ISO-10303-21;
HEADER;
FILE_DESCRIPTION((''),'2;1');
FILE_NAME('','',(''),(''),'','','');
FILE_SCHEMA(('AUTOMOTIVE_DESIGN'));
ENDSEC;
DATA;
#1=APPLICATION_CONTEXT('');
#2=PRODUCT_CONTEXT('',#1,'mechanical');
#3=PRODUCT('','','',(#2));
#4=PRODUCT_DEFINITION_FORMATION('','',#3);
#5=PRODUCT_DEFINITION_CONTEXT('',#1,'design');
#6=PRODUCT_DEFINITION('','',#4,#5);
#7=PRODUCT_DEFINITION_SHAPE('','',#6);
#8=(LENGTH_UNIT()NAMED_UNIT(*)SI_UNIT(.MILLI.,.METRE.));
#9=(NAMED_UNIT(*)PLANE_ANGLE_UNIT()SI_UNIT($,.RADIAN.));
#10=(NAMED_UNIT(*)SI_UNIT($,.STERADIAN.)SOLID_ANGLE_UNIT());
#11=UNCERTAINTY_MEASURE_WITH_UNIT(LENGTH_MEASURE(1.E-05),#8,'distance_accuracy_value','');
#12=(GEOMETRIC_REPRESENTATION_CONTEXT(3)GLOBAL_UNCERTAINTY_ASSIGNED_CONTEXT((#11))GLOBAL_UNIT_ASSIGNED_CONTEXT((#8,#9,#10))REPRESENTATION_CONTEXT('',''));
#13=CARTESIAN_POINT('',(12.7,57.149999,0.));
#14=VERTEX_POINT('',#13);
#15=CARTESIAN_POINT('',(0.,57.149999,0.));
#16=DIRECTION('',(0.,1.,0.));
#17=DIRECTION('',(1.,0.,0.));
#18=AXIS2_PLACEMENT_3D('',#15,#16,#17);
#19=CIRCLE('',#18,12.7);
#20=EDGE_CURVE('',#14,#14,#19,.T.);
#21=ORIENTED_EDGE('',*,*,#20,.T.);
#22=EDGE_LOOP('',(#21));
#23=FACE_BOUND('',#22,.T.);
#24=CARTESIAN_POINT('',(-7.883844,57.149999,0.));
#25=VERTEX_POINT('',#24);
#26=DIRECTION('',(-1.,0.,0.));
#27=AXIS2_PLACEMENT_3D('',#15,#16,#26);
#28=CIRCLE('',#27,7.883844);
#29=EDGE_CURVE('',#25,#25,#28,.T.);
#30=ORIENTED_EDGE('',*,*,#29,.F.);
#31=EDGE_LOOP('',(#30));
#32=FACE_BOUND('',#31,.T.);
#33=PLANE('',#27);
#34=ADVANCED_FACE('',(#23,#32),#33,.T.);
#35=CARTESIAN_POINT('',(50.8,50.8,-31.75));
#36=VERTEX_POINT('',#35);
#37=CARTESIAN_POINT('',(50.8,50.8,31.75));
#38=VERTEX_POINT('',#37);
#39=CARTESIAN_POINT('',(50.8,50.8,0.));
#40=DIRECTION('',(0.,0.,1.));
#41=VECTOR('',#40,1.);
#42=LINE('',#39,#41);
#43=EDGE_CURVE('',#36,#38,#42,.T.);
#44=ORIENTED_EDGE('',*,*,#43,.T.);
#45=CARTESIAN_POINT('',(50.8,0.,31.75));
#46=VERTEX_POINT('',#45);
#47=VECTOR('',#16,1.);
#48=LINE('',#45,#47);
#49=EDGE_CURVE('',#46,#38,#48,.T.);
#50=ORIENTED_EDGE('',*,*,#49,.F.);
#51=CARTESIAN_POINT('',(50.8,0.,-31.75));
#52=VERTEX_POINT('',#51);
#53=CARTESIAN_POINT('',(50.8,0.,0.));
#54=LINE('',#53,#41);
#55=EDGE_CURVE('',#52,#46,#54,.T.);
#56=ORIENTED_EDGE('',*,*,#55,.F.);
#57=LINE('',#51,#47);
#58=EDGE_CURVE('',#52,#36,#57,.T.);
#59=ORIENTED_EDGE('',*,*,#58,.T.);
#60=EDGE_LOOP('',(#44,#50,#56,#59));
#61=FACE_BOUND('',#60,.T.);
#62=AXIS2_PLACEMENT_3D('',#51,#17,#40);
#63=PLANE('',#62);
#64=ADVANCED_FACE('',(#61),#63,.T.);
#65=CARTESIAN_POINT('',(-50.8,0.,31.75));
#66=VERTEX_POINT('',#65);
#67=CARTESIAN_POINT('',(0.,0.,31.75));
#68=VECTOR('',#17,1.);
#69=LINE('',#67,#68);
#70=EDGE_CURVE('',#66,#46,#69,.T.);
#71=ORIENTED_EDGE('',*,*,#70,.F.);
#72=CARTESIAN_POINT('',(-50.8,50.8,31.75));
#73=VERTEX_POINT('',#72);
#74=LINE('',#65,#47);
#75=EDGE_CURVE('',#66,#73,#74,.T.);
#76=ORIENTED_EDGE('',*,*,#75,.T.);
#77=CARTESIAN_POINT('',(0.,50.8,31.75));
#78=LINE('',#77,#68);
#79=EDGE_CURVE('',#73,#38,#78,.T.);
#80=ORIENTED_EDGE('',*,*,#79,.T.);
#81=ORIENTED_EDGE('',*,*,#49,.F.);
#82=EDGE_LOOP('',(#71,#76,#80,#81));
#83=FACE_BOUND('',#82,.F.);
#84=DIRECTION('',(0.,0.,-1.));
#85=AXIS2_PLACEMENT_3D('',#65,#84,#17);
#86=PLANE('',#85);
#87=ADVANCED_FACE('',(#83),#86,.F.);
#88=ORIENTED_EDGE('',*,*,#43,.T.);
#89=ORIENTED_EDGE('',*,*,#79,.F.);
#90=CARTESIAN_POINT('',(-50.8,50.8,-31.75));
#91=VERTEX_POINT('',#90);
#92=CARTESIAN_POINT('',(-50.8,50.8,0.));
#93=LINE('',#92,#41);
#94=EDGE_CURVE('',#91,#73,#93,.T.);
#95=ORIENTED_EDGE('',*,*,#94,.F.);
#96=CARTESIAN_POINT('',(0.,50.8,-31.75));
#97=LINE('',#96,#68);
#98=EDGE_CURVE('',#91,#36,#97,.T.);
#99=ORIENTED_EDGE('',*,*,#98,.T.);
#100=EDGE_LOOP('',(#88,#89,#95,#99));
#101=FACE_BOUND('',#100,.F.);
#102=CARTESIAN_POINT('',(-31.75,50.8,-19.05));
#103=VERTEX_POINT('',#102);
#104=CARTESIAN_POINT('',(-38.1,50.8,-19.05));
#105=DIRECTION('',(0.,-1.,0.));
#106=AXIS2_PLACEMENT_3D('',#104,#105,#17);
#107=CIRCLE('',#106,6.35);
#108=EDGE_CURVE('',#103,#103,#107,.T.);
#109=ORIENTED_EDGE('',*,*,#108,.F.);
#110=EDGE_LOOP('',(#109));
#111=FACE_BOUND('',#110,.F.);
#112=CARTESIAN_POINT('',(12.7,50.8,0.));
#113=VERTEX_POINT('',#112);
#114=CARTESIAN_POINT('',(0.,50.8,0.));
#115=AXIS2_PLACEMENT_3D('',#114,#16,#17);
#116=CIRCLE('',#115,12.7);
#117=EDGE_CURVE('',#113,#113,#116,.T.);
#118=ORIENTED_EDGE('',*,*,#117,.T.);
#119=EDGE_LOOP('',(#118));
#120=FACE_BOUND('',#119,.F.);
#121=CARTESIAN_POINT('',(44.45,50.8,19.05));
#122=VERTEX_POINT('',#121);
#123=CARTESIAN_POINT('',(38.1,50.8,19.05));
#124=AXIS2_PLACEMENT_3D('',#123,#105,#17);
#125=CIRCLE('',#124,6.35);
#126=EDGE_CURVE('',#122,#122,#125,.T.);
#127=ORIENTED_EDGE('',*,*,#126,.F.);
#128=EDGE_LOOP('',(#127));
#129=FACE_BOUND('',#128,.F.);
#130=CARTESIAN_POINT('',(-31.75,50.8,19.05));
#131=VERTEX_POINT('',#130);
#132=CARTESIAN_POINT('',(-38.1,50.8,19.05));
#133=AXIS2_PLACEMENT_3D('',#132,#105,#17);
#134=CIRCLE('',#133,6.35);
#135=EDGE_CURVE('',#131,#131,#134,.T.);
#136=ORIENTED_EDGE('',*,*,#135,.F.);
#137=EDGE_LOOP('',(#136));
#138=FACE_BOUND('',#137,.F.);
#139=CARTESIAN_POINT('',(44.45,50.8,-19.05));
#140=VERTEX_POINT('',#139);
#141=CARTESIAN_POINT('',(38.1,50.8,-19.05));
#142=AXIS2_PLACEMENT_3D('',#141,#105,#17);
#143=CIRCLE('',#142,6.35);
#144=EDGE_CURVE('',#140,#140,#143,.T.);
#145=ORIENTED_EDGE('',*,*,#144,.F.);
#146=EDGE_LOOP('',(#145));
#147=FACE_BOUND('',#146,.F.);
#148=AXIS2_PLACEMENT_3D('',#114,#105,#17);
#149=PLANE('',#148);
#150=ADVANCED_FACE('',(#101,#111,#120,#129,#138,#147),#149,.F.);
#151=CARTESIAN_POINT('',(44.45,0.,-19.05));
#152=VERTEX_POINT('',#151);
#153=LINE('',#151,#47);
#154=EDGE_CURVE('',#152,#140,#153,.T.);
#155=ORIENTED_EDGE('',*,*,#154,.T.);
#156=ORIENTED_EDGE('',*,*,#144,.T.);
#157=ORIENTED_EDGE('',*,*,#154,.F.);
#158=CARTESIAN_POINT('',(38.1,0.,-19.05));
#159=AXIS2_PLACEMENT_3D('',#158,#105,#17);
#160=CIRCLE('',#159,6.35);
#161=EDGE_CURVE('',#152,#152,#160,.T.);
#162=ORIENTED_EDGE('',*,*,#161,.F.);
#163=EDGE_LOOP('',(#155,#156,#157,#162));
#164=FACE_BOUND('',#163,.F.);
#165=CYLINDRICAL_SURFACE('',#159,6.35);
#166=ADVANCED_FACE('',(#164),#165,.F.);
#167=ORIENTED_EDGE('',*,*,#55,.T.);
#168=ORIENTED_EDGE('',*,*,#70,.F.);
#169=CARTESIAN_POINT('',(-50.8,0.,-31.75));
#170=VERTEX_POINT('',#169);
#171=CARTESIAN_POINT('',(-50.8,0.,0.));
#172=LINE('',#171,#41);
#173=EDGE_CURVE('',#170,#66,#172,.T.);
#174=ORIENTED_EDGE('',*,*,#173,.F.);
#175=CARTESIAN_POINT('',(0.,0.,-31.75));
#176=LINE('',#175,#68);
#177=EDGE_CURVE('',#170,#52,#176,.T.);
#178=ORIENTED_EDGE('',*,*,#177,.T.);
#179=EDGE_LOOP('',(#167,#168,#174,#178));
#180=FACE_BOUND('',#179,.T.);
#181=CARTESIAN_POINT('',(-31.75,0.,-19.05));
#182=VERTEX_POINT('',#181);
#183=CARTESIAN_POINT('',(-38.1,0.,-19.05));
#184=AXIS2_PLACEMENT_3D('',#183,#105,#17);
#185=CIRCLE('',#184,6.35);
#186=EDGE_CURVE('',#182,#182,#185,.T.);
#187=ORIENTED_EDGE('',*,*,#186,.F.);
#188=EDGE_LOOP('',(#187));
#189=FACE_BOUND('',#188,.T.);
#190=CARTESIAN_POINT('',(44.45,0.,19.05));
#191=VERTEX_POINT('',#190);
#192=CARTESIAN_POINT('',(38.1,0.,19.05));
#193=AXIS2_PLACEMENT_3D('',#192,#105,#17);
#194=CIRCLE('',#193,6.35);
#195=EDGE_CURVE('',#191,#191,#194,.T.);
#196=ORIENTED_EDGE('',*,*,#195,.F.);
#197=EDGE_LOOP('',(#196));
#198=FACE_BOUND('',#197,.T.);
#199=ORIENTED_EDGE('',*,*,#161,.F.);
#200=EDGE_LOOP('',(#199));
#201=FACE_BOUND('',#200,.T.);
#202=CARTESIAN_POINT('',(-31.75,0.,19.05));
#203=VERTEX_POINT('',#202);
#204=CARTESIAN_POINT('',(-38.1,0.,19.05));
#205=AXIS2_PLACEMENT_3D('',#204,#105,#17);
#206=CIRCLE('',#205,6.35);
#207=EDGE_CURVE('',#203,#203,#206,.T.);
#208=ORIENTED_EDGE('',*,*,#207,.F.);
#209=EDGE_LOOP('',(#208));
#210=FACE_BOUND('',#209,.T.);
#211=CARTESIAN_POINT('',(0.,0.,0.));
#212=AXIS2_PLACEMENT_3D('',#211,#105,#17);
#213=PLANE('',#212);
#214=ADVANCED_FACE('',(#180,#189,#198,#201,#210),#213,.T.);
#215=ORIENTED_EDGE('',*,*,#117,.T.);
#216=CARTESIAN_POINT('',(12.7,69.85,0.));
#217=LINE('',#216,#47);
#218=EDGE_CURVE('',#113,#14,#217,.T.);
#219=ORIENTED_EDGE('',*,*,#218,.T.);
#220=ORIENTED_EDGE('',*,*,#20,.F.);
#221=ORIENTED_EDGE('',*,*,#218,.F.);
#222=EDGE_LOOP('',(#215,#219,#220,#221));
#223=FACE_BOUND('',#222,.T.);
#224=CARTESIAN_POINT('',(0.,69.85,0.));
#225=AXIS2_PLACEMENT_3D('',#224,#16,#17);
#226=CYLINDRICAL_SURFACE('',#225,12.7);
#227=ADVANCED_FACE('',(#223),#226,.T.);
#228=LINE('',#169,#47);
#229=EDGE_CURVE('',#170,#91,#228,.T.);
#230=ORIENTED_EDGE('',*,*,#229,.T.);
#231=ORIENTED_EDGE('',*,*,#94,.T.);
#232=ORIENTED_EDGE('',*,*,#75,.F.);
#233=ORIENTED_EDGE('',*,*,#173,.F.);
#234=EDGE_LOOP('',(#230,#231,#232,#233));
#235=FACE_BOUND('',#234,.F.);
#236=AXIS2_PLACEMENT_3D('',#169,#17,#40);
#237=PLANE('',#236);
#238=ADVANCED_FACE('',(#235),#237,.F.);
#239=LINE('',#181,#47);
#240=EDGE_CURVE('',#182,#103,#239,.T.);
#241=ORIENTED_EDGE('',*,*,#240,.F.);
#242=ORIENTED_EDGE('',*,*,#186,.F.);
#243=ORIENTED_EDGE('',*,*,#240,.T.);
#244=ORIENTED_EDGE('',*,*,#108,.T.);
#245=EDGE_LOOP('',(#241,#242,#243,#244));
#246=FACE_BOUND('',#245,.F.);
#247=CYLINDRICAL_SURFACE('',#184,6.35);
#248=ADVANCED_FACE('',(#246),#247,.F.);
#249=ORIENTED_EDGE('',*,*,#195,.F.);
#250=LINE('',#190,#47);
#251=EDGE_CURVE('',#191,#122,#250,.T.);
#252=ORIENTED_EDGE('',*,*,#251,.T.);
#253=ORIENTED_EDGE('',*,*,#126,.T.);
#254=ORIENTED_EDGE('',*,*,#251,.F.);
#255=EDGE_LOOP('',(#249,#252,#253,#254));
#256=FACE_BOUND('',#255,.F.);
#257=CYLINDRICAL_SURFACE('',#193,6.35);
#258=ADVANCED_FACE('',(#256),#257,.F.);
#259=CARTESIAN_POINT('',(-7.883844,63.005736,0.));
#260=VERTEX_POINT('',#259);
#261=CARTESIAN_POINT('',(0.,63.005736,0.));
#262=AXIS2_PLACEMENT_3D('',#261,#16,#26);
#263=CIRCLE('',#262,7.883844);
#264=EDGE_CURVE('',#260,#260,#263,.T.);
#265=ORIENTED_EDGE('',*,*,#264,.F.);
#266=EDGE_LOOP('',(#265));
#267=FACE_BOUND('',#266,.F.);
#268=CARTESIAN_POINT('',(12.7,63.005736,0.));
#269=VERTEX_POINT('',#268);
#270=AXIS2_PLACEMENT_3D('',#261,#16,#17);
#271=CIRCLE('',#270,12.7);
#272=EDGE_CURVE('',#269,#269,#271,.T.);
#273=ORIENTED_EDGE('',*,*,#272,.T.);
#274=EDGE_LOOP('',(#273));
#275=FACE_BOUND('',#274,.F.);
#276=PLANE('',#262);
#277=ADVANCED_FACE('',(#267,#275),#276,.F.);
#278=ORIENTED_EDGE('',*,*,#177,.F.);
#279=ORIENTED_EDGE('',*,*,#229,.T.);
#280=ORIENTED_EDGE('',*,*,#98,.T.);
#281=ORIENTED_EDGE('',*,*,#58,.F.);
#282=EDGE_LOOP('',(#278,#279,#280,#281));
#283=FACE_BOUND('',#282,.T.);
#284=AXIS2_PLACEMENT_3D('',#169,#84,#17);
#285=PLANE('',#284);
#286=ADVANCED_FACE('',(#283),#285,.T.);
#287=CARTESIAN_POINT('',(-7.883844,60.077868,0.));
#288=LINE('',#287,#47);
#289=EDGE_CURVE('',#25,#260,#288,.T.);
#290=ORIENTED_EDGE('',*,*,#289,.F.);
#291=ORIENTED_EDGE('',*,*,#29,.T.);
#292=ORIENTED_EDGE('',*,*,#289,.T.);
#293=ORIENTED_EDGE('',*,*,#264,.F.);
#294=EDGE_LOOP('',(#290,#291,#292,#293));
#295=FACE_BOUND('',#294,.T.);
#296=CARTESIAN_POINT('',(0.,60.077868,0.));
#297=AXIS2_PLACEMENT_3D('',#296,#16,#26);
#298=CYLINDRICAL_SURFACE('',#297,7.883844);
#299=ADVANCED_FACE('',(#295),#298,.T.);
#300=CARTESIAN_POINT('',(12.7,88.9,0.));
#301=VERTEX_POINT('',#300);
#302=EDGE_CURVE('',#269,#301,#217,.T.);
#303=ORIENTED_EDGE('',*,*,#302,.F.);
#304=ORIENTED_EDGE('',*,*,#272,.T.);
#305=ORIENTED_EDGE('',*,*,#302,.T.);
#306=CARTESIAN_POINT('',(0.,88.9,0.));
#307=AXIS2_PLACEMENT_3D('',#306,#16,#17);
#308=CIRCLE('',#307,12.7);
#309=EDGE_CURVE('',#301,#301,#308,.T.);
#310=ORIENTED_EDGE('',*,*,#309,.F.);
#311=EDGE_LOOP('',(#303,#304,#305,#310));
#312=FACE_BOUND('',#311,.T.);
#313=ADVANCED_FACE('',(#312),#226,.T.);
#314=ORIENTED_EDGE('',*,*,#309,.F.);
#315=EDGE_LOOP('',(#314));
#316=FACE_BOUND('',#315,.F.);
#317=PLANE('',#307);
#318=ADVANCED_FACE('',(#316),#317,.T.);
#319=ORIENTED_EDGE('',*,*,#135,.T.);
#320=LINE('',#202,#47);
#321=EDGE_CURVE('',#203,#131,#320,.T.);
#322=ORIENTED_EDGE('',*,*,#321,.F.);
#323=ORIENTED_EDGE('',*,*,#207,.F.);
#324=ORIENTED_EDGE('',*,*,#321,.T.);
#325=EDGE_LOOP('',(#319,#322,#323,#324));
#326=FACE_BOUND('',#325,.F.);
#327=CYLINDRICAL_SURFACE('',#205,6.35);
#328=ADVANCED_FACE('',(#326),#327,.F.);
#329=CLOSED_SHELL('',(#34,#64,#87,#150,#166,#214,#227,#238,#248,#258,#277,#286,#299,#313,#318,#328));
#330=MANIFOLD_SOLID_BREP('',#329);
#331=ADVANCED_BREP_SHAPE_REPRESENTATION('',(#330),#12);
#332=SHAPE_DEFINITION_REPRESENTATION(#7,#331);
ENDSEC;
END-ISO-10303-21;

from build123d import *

# Parameters (mm, degrees)
F0_W     = 101.6
F0_H     = 63.5
F1_DEPTH = 50.8
F2_R     = 6.35
F3_DEPTH = 50.801
F4_W     = 12.7
F4_H     = 38.1
F6_W     = 12.7
F6_H     = 5.855737


with BuildPart() as f1:
    # F0 (on Front) → F1 (new body)
    with BuildSketch(Plane.XZ):
        Rectangle(F0_W, F0_H)
    extrude(amount=-F1_DEPTH)

    # F2 (on face) → F3 (cut, through all)
    with BuildSketch(Plane.XZ):
        with Locations((38.1, -19.05)):
            Circle(F2_R)
        with Locations((38.1, 19.05)):
            Circle(F2_R)
        with Locations((-38.1, 19.05)):
            Circle(F2_R)
        with Locations((-38.1, -19.05)):
            Circle(F2_R)
    extrude(amount=-F3_DEPTH, mode=Mode.SUBTRACT)

    # F4 (on Top) → F5 (revolve)
    with BuildSketch(Plane.XY):
        with Locations((6.35, 69.85)):
            Rectangle(F4_W, F4_H)
    revolve(axis=Axis((0, 69.85, 0), (0, 1, 0)))

    # F6 (on Top) → F7 (revolve, cut)
    with BuildSketch(Plane.XY):
        with Locations((-14.233844, 60.077868)):
            Rectangle(F6_W, F6_H)
    revolve(axis=Axis((0, 88.9, 0), (0, 1, 0)), mode=Mode.SUBTRACT)


solid = f1.part
